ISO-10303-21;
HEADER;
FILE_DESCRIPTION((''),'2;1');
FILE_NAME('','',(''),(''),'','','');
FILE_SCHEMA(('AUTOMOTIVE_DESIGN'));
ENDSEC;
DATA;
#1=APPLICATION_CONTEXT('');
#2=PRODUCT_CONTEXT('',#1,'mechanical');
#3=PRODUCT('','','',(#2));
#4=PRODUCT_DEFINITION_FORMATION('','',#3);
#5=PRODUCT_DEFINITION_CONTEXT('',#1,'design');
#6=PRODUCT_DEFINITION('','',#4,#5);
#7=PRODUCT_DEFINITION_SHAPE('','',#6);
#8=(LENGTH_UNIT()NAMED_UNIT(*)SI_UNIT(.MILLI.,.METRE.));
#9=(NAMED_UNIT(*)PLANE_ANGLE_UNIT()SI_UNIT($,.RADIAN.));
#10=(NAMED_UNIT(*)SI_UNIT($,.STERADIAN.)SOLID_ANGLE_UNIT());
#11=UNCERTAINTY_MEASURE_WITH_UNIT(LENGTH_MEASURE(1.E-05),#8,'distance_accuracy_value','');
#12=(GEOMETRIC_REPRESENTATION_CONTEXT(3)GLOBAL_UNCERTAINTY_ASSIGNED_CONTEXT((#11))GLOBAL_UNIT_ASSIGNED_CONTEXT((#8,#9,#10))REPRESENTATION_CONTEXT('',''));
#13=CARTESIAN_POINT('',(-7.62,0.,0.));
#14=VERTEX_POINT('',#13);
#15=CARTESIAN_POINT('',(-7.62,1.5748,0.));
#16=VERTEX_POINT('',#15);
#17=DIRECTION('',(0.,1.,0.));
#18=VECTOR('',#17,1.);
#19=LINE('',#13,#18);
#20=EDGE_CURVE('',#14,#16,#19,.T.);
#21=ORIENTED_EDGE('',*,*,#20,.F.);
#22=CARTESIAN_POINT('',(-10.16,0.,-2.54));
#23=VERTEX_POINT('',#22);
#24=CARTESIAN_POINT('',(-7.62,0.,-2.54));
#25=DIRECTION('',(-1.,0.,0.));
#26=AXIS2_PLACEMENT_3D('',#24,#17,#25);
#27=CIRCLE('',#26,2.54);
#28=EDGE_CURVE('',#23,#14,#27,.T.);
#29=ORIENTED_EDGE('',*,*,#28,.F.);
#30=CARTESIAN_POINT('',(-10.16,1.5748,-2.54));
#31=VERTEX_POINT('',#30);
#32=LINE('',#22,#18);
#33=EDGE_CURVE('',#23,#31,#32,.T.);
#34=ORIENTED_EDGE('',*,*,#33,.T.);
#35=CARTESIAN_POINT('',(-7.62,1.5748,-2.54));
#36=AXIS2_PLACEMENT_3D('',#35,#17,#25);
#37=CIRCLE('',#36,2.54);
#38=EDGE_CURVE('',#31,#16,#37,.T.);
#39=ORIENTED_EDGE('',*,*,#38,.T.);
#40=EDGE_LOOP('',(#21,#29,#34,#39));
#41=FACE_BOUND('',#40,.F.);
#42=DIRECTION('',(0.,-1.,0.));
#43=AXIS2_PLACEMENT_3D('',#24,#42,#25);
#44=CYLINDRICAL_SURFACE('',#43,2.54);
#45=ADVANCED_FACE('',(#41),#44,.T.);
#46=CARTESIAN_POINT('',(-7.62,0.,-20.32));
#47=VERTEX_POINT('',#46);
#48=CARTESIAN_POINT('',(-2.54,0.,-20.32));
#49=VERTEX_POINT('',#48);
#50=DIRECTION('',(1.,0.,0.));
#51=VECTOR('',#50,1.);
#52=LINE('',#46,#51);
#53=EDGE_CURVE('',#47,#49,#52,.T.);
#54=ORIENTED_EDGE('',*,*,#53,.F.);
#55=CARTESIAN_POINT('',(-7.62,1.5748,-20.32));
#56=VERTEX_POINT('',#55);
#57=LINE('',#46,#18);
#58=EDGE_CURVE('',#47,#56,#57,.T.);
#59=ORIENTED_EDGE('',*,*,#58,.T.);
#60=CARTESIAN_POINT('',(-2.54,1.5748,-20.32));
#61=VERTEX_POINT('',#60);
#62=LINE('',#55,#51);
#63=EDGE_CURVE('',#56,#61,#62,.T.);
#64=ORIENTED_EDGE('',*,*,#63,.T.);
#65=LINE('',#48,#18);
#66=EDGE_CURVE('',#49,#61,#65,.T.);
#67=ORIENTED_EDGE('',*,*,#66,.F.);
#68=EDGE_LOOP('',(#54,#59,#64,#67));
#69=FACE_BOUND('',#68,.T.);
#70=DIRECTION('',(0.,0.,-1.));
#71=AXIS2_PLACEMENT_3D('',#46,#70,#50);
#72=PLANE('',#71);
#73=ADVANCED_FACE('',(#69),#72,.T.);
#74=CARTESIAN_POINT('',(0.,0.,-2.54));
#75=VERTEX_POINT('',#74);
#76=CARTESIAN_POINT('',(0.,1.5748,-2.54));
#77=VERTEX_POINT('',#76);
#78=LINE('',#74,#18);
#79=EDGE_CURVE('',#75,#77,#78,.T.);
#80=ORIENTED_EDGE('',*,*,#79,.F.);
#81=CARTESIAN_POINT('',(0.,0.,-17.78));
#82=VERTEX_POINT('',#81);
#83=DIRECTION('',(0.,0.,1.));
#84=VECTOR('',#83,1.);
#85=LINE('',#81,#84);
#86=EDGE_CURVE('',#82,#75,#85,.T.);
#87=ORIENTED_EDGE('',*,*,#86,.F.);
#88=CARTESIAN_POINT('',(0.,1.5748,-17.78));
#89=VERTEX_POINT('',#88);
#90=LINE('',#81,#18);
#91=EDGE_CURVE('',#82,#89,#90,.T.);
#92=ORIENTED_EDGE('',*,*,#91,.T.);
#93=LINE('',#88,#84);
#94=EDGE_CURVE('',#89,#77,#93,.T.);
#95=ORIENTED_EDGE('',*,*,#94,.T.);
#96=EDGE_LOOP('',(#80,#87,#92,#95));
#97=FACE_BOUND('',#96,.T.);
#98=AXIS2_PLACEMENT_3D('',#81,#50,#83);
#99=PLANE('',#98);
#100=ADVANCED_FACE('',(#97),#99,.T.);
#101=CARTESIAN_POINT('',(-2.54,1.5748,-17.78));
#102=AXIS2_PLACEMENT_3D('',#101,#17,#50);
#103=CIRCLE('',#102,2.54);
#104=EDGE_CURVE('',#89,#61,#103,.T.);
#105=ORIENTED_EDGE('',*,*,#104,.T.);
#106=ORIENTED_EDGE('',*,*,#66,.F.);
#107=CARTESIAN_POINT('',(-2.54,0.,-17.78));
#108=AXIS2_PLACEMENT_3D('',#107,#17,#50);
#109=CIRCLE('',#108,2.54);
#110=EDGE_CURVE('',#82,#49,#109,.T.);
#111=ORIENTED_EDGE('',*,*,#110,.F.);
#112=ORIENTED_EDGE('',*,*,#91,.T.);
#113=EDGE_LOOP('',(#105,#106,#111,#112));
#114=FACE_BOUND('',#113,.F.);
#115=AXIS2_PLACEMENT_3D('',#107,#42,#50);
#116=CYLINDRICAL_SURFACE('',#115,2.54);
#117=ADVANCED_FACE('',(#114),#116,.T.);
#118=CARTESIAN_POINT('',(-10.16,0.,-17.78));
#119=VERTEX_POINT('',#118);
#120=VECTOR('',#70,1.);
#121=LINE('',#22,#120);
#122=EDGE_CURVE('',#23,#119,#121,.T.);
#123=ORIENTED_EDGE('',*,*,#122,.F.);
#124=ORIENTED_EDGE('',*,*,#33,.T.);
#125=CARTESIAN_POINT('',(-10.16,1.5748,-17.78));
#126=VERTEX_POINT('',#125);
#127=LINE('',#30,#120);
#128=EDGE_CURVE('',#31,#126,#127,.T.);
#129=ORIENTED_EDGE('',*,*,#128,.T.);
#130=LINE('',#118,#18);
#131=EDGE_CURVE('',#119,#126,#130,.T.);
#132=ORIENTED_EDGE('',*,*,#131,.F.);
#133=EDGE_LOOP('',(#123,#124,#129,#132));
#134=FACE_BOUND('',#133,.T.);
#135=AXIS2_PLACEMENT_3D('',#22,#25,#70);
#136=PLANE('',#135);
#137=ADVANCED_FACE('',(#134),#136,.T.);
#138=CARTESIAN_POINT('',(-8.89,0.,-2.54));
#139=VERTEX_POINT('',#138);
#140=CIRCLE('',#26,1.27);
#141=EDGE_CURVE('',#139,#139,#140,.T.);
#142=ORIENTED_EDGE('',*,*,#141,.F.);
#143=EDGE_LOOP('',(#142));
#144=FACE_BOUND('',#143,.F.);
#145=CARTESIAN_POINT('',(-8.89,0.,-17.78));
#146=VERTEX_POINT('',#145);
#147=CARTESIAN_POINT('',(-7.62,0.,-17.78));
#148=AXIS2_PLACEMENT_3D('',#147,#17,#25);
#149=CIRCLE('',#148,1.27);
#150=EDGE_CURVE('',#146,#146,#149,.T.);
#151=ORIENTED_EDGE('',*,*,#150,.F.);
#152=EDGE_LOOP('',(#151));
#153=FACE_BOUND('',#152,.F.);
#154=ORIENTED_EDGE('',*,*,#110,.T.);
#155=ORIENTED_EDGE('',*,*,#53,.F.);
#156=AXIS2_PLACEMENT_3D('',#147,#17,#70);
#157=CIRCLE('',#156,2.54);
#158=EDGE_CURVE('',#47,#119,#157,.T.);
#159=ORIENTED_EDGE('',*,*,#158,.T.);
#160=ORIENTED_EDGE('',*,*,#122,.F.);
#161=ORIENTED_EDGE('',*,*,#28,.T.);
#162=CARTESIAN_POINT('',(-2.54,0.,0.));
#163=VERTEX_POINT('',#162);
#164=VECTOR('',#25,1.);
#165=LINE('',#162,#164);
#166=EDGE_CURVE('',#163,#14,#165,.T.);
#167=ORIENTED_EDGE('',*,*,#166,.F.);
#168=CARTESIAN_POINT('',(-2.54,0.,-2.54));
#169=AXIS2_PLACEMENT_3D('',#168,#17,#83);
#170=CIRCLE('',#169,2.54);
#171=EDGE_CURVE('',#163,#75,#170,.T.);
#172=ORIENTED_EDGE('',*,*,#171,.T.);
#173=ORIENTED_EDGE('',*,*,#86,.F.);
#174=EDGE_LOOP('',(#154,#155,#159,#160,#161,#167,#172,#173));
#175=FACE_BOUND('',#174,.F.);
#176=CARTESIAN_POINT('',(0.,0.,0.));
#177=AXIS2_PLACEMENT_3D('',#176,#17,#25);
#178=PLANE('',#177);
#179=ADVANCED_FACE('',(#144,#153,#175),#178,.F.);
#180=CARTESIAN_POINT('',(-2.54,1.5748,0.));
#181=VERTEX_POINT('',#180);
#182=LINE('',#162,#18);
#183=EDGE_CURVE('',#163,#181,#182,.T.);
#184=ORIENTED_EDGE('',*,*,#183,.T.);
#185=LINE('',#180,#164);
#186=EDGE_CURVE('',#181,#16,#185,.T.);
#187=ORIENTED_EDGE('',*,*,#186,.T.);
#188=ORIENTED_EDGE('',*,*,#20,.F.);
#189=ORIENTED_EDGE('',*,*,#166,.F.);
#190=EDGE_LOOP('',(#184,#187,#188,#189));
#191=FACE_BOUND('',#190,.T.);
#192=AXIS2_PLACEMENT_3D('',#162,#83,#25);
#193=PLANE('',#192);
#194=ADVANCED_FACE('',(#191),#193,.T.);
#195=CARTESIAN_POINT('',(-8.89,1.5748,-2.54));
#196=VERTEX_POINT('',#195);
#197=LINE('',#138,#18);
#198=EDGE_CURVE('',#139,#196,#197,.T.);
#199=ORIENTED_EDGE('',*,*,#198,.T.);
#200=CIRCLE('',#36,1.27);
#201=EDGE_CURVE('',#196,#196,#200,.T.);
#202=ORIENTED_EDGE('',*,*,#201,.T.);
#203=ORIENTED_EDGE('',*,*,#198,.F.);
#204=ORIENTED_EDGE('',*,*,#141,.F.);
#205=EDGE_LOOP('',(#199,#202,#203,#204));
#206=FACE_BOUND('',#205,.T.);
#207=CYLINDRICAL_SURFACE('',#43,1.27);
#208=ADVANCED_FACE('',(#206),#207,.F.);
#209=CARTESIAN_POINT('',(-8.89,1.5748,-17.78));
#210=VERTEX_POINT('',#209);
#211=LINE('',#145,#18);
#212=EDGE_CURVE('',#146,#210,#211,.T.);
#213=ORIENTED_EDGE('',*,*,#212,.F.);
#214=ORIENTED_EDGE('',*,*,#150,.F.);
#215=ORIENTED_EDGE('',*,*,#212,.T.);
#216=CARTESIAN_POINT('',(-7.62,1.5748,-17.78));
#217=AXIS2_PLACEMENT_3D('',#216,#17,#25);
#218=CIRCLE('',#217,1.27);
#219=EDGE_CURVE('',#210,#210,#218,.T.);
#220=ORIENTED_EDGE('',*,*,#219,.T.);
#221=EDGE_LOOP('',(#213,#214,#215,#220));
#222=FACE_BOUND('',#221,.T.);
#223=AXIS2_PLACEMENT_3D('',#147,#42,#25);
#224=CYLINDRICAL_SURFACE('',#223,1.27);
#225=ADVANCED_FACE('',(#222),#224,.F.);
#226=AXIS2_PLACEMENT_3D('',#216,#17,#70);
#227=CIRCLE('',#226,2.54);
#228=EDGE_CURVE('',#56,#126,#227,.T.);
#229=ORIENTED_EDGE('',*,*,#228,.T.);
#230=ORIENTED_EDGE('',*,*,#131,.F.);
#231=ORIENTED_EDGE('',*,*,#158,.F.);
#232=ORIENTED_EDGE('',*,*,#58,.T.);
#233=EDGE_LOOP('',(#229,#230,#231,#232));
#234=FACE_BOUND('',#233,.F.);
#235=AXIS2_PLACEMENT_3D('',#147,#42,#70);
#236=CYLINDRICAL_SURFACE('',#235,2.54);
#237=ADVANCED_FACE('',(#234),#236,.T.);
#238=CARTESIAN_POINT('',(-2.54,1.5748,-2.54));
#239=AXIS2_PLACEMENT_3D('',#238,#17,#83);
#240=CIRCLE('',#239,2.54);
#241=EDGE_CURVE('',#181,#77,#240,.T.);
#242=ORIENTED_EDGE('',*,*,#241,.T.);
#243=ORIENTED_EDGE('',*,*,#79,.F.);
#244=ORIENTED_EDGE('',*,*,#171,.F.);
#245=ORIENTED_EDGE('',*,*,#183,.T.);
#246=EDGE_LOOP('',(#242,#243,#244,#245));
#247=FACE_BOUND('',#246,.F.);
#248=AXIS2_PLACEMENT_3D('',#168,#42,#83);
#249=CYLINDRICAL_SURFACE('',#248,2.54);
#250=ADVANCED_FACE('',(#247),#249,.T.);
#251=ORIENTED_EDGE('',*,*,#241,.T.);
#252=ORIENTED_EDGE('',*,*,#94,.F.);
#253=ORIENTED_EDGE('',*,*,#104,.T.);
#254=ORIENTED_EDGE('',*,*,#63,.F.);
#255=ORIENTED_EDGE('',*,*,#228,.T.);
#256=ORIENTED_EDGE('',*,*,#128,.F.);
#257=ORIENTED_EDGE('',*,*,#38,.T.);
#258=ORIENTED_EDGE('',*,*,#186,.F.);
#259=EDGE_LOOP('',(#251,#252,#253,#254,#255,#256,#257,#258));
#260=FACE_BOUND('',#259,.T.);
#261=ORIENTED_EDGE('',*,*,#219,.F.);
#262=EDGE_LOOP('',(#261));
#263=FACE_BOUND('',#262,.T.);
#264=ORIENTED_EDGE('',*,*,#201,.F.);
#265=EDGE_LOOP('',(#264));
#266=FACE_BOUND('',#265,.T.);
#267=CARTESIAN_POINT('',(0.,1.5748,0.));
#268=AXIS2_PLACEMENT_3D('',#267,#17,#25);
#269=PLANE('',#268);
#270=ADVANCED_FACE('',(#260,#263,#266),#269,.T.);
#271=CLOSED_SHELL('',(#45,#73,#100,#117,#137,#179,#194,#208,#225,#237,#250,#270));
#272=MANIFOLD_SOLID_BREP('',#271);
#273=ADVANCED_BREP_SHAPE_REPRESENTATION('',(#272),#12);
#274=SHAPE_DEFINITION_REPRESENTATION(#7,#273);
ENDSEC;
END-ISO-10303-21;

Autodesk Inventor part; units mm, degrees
ref_plane "YZ Plane" through (0, 0, 0) normal (1, 0, 0) x (0, 1, 0)
ref_plane "XZ Plane" through (0, 0, 0) normal (0, 1, 0) x (-1, 0, 0)
ref_plane "XY Plane" through (0, 0, 0) normal (0, 0, 1) x (1, 0, 0)
sketch "Sketch1" plane through (0, 0, 0) normal (0, 1, 0) x (-1, 0, 0)
  line L0 (2.54, 0) -> (7.62, 0)
  line L1 (10.16, -2.54) -> (10.16, -17.78)
  line L2 (7.62, -20.32) -> (2.54, -20.32)
  line L3 (0, -17.78) -> (0, -2.54)
  arc A0 (10.16, -2.54) -> (7.62, 0) centre (7.62, -2.54) ccw
  arc A1 (7.62, -20.32) -> (10.16, -17.78) centre (7.62, -17.78) ccw
  arc A2 (0, -17.78) -> (2.54, -20.32) centre (2.54, -17.78) ccw
  arc A3 (2.54, 0) -> (0, -2.54) centre (2.54, -2.54) ccw
  circle A4 centre (7.62, -2.54) radius 1.27
  circle A5 centre (7.62, -17.78) radius 1.27
  point P0 (0, 0)
  point P1 (10.16, -20.32)
  point P2 (10.16, 0)
  point P3 (0, -20.32)
  dimension "d0" = 10.16
  dimension "d1" = 20.32
  dimension "d2" = 2.54
  dimension "d3" = 2.54
  dimension "d4" = 2.54
  dimension "d5" = 2.54
  dimension "d6" = 2.54
  dimension "d7" = 2.54
  dimension "d8" = 2.54
extrude "Extrusion1" add sketch "Sketch1" along normal blind 1.5748
properties part number "USB_Board"
